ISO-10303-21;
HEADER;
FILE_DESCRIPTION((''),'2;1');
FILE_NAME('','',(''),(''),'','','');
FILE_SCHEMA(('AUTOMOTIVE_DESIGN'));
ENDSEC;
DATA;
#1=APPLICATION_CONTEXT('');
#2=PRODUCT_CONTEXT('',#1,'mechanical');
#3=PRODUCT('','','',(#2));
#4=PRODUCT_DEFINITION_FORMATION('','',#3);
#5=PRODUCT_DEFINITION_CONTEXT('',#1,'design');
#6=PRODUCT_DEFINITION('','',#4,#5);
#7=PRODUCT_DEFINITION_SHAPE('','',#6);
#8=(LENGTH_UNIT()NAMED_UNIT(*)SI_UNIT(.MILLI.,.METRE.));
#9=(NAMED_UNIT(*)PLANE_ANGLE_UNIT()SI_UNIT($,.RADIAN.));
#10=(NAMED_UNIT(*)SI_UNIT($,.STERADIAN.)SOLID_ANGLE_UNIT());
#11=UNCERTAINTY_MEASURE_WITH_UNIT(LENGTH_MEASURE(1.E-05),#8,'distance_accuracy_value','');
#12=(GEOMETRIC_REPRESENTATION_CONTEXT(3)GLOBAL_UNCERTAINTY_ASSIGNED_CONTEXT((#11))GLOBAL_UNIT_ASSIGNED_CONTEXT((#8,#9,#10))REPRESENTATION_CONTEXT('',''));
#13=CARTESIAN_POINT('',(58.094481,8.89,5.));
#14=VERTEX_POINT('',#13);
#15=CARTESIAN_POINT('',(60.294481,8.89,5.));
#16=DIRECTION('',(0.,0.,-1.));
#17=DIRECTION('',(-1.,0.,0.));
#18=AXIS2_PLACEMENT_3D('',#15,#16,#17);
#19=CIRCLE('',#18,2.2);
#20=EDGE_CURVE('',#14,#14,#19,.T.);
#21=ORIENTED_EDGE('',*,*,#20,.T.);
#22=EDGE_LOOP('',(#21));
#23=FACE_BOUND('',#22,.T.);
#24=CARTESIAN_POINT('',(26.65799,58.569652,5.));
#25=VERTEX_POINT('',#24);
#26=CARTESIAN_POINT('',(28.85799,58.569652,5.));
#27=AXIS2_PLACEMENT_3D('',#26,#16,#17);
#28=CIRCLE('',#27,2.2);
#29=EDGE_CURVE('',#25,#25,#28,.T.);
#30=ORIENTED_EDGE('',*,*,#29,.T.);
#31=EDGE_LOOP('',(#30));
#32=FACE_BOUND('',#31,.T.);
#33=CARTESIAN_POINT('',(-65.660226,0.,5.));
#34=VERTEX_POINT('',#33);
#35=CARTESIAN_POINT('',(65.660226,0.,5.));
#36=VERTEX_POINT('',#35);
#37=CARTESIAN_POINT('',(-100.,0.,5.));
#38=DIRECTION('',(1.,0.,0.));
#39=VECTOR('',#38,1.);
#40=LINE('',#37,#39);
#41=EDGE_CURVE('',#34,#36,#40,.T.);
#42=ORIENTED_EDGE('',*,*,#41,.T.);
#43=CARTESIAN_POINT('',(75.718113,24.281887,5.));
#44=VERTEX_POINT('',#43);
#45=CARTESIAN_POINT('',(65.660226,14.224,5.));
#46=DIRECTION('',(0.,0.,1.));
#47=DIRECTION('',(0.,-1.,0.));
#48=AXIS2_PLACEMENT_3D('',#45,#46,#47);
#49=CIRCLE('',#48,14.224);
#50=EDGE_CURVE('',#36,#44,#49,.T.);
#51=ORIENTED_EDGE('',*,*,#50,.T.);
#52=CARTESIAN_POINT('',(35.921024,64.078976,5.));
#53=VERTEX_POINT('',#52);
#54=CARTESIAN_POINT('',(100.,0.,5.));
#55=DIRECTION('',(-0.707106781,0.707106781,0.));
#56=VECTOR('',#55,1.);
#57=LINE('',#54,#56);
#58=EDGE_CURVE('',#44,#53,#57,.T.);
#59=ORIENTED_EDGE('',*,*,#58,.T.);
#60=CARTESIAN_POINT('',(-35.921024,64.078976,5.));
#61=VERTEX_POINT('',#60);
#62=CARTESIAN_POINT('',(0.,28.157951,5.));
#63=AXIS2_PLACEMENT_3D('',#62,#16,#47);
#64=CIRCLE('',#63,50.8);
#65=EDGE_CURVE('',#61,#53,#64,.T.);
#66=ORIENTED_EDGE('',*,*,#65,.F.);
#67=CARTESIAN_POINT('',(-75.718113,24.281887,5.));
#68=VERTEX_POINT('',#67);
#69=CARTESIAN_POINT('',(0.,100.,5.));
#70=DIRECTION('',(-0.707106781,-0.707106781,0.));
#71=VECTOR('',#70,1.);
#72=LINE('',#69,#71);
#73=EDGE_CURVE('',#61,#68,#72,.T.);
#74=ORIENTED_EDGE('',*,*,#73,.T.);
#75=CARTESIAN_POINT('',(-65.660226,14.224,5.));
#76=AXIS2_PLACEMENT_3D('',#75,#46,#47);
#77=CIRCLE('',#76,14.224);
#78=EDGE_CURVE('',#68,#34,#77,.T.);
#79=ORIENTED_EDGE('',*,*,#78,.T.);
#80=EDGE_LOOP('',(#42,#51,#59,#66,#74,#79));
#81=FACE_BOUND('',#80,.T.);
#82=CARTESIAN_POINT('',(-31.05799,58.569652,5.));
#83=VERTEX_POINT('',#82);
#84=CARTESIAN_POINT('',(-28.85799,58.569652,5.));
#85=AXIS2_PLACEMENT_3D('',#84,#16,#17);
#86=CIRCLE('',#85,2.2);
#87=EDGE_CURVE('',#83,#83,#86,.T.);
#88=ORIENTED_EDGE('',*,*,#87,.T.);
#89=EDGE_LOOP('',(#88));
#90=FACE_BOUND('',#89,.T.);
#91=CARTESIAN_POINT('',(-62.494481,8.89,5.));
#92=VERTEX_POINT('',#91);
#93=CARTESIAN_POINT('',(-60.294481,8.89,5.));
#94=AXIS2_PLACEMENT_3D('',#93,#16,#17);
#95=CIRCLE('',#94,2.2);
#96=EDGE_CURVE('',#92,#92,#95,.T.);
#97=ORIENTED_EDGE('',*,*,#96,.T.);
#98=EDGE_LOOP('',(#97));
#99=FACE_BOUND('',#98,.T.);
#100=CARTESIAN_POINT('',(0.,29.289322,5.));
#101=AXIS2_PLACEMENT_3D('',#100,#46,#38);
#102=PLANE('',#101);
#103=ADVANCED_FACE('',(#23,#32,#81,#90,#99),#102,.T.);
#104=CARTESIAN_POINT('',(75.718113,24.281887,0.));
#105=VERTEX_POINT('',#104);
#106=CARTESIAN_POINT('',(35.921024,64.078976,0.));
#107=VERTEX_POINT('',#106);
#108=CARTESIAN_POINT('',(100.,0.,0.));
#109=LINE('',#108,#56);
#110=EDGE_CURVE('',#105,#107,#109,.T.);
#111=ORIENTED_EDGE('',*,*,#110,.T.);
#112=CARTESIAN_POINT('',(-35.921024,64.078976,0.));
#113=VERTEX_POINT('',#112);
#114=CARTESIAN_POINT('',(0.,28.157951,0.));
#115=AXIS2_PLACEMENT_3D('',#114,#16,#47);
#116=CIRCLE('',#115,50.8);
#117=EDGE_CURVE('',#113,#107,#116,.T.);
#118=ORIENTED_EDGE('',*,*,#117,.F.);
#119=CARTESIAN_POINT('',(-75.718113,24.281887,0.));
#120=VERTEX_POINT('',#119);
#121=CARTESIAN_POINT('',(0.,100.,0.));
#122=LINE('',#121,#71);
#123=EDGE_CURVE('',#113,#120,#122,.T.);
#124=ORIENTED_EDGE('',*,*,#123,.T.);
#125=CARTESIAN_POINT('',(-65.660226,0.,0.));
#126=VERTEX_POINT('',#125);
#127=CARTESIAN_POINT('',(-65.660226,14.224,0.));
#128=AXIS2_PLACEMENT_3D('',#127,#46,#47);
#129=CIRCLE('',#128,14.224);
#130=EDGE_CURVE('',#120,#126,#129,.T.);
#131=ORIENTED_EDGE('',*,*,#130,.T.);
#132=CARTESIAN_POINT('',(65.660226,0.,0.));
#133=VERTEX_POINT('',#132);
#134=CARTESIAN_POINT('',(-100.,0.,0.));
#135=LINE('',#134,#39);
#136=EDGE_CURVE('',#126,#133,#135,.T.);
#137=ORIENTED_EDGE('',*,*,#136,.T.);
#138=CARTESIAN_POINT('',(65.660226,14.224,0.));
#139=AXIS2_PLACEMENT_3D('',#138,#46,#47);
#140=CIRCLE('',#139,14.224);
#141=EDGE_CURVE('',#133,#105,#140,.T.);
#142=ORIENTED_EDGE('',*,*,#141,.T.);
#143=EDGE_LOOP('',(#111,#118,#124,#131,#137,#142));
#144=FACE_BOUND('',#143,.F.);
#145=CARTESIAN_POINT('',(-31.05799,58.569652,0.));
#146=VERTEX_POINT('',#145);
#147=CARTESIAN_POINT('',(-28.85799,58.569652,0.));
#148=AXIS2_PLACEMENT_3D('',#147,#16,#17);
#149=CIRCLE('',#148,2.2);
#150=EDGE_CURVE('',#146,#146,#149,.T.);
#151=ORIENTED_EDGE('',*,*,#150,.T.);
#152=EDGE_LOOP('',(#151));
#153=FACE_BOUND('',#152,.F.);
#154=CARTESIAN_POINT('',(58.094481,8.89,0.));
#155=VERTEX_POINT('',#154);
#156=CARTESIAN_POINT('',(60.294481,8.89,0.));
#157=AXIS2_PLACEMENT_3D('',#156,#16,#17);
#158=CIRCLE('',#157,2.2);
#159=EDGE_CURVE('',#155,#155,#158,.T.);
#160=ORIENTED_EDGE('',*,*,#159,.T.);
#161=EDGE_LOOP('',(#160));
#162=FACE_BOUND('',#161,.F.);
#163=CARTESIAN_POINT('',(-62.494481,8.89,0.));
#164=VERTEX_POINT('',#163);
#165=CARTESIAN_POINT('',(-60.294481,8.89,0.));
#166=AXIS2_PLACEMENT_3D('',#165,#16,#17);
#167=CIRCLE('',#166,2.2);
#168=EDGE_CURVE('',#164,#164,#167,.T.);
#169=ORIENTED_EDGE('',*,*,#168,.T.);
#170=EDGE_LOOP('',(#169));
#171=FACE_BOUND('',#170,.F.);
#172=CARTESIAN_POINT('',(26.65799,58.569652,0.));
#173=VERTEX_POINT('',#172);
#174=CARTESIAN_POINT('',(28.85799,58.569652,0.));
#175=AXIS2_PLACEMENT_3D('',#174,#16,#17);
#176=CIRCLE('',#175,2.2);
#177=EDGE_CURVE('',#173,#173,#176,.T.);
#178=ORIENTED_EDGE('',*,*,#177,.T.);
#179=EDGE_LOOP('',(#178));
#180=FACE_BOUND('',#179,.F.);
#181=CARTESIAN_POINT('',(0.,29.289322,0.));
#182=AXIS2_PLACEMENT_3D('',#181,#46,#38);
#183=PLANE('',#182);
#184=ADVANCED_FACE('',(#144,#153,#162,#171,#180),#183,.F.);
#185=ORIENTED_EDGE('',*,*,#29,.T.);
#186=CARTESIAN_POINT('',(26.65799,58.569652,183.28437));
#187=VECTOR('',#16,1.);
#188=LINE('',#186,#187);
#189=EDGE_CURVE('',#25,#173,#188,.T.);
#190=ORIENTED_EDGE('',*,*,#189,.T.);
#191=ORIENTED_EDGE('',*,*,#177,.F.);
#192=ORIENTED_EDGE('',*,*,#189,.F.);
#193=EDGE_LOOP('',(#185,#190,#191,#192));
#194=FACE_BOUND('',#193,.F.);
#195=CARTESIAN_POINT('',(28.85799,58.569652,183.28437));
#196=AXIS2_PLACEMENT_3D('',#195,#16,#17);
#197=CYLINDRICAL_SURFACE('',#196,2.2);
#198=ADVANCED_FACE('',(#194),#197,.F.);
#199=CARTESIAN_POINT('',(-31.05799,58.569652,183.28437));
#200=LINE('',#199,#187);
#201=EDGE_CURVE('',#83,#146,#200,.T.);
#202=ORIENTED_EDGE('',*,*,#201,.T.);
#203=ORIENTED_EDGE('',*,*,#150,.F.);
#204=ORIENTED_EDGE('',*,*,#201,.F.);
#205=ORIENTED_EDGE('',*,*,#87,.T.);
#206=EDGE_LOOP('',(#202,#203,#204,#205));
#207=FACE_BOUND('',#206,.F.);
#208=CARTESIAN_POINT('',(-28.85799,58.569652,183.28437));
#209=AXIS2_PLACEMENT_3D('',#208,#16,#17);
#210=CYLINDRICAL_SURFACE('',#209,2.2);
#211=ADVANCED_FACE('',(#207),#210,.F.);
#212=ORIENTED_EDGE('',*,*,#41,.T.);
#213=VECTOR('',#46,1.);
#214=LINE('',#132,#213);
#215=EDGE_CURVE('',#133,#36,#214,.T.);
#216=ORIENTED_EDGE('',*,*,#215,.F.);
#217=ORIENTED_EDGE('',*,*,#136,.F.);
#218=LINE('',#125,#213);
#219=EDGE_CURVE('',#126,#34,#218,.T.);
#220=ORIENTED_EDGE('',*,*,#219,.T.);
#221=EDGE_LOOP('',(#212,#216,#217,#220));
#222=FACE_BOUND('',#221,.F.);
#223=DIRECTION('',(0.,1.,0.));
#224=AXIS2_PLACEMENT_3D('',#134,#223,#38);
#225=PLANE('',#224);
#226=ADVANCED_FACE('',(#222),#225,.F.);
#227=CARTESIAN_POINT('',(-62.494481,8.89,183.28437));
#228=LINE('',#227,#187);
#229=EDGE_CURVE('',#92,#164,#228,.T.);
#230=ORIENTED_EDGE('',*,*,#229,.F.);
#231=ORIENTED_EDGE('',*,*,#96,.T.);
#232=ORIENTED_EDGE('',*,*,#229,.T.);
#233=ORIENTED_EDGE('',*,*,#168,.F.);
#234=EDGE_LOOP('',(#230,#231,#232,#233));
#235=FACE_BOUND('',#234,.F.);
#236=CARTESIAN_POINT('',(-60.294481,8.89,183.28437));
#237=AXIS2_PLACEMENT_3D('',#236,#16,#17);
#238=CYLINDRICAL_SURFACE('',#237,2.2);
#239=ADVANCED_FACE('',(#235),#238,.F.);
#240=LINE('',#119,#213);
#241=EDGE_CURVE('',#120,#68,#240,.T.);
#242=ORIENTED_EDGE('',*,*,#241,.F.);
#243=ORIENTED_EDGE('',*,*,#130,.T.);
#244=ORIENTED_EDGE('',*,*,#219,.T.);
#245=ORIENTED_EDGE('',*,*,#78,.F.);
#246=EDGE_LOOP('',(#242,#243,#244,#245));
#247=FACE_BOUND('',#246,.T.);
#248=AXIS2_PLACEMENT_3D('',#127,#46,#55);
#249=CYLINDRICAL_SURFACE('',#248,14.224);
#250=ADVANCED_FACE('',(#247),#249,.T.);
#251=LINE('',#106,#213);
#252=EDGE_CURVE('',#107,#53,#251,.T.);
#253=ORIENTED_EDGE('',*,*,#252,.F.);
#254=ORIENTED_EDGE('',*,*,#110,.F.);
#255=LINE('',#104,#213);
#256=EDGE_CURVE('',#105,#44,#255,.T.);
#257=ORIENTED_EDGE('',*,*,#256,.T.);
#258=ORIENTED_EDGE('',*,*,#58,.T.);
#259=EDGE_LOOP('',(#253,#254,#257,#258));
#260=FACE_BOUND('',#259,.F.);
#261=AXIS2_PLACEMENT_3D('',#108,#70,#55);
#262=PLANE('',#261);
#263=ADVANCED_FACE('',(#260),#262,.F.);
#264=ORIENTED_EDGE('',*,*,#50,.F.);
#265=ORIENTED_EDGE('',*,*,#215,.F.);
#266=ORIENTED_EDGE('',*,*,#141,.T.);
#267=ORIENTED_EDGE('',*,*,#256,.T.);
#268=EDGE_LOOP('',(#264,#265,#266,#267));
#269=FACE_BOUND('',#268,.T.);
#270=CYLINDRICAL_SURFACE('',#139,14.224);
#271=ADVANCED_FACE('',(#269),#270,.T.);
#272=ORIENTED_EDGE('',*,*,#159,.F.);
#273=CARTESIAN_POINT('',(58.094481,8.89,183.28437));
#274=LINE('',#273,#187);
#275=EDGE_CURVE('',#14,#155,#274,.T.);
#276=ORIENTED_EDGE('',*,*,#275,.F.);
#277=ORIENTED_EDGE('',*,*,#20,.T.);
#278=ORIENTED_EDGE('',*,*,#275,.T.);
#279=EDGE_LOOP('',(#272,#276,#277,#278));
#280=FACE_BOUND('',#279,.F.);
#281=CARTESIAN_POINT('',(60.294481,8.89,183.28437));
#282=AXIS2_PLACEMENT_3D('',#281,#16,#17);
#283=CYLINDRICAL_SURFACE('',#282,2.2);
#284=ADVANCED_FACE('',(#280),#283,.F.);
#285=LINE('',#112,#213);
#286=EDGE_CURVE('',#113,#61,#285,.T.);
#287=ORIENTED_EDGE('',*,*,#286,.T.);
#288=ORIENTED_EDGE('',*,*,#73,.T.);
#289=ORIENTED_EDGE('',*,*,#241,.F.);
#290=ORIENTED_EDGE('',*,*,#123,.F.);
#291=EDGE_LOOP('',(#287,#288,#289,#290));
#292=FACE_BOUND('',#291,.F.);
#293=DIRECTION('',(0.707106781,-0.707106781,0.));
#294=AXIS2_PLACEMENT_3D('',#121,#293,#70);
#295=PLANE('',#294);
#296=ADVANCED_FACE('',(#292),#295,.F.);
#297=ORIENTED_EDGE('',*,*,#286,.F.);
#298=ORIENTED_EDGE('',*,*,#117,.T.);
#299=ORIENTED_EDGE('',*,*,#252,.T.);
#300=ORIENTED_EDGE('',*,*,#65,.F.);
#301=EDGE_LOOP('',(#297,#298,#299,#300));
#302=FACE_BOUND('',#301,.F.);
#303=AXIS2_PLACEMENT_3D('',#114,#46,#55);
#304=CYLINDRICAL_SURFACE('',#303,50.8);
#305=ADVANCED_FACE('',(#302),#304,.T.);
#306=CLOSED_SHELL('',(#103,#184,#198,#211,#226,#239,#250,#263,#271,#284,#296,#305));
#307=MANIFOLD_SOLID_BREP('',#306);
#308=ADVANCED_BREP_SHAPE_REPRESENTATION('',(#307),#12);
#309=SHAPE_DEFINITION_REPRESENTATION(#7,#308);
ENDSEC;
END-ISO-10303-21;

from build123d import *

# Parameters (mm, degrees)
F1_DEPTH = 5
F2_R     = 50.8
F3_R     = 14.224
F5_D     = 4.4


with BuildPart() as f1:
    # F0 (on Top) → F1 (new body)
    with BuildSketch(Plane.XY):
        Polygon((0, 100), (-100, 0), (100, 0), align=None)
    extrude(amount=F1_DEPTH)

    # F2
    f2_edges = [f1.edges().sort_by_distance(p)[0] for p in [
        (0, 100, 2.5),
    ]]
    fillet(f2_edges, radius=F2_R)

    # F3
    f3_edges = [f1.edges().sort_by_distance(p)[0] for p in [
        (-100, 0, 2.5),
        (100, 0, 2.5),
    ]]
    fillet(f3_edges, radius=F3_R)

    # F5 (through all)
    with Locations(Plane.XY.offset(5)):
        with Locations((-28.8579897851, 58.5696516454), (28.8579897851, 58.5696516454), (60.2944809943, 8.89), (-60.2944809943, 8.89)):
            Hole(F5_D / 2)


solid = f1.part
